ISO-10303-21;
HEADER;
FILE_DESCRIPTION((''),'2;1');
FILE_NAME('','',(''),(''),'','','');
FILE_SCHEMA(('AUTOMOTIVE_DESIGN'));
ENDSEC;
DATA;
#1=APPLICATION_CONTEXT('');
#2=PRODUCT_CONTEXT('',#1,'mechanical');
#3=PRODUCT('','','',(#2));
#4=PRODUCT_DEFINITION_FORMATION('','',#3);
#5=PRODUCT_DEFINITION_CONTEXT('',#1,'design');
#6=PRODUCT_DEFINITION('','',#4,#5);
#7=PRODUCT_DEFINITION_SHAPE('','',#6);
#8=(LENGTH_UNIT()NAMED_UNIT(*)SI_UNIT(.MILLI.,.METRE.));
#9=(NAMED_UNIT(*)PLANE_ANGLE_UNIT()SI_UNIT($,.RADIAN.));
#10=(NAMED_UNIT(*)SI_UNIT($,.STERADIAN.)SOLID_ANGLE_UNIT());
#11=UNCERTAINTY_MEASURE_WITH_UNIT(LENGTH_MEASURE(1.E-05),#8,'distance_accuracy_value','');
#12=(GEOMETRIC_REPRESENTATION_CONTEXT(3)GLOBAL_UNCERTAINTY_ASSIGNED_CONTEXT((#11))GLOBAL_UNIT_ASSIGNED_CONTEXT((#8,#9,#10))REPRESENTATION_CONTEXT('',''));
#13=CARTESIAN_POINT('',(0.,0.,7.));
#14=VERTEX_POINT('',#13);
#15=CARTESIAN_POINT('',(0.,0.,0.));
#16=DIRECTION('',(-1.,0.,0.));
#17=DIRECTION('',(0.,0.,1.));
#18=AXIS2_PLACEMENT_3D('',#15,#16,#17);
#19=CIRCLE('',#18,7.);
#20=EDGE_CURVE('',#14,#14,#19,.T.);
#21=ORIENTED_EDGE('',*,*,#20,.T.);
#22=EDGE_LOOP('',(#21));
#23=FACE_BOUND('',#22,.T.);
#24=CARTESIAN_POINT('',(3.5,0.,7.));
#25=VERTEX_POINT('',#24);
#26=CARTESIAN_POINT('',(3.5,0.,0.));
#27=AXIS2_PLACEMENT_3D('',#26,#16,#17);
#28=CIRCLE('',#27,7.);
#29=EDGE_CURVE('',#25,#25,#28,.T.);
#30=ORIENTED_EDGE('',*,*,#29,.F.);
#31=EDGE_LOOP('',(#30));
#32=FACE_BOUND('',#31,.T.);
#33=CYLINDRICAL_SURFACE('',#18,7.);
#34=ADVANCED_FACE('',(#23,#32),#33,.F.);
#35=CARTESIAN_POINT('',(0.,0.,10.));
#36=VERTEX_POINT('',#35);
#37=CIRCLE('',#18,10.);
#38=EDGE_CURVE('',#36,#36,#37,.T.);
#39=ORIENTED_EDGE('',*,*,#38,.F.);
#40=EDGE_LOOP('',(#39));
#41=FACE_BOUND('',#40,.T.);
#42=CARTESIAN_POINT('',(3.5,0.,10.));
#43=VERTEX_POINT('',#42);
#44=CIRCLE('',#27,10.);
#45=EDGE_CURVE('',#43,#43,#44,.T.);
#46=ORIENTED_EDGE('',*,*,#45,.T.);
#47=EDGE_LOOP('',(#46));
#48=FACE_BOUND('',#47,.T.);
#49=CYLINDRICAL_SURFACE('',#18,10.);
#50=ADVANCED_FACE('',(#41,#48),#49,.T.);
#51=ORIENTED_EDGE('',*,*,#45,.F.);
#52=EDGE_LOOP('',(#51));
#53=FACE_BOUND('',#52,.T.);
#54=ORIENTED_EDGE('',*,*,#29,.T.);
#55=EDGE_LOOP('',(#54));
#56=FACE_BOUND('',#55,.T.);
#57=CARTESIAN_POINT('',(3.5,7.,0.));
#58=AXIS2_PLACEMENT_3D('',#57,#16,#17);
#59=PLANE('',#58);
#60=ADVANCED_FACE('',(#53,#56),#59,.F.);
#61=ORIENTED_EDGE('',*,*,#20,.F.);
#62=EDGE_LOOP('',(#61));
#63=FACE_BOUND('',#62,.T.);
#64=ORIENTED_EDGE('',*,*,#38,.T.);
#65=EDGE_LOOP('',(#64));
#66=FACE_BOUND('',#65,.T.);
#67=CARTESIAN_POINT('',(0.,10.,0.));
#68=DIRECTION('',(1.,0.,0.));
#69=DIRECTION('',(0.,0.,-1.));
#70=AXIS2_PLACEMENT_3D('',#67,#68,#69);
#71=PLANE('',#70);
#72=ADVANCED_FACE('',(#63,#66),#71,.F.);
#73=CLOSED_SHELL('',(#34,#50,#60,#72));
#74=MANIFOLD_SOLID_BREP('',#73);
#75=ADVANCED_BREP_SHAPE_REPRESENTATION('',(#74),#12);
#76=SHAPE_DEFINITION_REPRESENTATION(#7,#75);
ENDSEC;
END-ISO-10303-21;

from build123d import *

# Parameters (mm, degrees)
SKETCH1_W = 3.5
SKETCH1_H = 3


with BuildPart() as part:
    # Sketch1 → Revolve1 (revolve)
    with BuildSketch(Plane.XY, mode=Mode.PRIVATE) as revolve1_sk:
        with Locations((1.75, 8.5)):
            Rectangle(SKETCH1_W, SKETCH1_H)
    revolve(revolve1_sk.sketch.rotate(Axis((0, 0, 0), (1, 0, 0)), 90), axis=Axis((0, 0, 0), (1, 0, 0)))


solid = part.part
